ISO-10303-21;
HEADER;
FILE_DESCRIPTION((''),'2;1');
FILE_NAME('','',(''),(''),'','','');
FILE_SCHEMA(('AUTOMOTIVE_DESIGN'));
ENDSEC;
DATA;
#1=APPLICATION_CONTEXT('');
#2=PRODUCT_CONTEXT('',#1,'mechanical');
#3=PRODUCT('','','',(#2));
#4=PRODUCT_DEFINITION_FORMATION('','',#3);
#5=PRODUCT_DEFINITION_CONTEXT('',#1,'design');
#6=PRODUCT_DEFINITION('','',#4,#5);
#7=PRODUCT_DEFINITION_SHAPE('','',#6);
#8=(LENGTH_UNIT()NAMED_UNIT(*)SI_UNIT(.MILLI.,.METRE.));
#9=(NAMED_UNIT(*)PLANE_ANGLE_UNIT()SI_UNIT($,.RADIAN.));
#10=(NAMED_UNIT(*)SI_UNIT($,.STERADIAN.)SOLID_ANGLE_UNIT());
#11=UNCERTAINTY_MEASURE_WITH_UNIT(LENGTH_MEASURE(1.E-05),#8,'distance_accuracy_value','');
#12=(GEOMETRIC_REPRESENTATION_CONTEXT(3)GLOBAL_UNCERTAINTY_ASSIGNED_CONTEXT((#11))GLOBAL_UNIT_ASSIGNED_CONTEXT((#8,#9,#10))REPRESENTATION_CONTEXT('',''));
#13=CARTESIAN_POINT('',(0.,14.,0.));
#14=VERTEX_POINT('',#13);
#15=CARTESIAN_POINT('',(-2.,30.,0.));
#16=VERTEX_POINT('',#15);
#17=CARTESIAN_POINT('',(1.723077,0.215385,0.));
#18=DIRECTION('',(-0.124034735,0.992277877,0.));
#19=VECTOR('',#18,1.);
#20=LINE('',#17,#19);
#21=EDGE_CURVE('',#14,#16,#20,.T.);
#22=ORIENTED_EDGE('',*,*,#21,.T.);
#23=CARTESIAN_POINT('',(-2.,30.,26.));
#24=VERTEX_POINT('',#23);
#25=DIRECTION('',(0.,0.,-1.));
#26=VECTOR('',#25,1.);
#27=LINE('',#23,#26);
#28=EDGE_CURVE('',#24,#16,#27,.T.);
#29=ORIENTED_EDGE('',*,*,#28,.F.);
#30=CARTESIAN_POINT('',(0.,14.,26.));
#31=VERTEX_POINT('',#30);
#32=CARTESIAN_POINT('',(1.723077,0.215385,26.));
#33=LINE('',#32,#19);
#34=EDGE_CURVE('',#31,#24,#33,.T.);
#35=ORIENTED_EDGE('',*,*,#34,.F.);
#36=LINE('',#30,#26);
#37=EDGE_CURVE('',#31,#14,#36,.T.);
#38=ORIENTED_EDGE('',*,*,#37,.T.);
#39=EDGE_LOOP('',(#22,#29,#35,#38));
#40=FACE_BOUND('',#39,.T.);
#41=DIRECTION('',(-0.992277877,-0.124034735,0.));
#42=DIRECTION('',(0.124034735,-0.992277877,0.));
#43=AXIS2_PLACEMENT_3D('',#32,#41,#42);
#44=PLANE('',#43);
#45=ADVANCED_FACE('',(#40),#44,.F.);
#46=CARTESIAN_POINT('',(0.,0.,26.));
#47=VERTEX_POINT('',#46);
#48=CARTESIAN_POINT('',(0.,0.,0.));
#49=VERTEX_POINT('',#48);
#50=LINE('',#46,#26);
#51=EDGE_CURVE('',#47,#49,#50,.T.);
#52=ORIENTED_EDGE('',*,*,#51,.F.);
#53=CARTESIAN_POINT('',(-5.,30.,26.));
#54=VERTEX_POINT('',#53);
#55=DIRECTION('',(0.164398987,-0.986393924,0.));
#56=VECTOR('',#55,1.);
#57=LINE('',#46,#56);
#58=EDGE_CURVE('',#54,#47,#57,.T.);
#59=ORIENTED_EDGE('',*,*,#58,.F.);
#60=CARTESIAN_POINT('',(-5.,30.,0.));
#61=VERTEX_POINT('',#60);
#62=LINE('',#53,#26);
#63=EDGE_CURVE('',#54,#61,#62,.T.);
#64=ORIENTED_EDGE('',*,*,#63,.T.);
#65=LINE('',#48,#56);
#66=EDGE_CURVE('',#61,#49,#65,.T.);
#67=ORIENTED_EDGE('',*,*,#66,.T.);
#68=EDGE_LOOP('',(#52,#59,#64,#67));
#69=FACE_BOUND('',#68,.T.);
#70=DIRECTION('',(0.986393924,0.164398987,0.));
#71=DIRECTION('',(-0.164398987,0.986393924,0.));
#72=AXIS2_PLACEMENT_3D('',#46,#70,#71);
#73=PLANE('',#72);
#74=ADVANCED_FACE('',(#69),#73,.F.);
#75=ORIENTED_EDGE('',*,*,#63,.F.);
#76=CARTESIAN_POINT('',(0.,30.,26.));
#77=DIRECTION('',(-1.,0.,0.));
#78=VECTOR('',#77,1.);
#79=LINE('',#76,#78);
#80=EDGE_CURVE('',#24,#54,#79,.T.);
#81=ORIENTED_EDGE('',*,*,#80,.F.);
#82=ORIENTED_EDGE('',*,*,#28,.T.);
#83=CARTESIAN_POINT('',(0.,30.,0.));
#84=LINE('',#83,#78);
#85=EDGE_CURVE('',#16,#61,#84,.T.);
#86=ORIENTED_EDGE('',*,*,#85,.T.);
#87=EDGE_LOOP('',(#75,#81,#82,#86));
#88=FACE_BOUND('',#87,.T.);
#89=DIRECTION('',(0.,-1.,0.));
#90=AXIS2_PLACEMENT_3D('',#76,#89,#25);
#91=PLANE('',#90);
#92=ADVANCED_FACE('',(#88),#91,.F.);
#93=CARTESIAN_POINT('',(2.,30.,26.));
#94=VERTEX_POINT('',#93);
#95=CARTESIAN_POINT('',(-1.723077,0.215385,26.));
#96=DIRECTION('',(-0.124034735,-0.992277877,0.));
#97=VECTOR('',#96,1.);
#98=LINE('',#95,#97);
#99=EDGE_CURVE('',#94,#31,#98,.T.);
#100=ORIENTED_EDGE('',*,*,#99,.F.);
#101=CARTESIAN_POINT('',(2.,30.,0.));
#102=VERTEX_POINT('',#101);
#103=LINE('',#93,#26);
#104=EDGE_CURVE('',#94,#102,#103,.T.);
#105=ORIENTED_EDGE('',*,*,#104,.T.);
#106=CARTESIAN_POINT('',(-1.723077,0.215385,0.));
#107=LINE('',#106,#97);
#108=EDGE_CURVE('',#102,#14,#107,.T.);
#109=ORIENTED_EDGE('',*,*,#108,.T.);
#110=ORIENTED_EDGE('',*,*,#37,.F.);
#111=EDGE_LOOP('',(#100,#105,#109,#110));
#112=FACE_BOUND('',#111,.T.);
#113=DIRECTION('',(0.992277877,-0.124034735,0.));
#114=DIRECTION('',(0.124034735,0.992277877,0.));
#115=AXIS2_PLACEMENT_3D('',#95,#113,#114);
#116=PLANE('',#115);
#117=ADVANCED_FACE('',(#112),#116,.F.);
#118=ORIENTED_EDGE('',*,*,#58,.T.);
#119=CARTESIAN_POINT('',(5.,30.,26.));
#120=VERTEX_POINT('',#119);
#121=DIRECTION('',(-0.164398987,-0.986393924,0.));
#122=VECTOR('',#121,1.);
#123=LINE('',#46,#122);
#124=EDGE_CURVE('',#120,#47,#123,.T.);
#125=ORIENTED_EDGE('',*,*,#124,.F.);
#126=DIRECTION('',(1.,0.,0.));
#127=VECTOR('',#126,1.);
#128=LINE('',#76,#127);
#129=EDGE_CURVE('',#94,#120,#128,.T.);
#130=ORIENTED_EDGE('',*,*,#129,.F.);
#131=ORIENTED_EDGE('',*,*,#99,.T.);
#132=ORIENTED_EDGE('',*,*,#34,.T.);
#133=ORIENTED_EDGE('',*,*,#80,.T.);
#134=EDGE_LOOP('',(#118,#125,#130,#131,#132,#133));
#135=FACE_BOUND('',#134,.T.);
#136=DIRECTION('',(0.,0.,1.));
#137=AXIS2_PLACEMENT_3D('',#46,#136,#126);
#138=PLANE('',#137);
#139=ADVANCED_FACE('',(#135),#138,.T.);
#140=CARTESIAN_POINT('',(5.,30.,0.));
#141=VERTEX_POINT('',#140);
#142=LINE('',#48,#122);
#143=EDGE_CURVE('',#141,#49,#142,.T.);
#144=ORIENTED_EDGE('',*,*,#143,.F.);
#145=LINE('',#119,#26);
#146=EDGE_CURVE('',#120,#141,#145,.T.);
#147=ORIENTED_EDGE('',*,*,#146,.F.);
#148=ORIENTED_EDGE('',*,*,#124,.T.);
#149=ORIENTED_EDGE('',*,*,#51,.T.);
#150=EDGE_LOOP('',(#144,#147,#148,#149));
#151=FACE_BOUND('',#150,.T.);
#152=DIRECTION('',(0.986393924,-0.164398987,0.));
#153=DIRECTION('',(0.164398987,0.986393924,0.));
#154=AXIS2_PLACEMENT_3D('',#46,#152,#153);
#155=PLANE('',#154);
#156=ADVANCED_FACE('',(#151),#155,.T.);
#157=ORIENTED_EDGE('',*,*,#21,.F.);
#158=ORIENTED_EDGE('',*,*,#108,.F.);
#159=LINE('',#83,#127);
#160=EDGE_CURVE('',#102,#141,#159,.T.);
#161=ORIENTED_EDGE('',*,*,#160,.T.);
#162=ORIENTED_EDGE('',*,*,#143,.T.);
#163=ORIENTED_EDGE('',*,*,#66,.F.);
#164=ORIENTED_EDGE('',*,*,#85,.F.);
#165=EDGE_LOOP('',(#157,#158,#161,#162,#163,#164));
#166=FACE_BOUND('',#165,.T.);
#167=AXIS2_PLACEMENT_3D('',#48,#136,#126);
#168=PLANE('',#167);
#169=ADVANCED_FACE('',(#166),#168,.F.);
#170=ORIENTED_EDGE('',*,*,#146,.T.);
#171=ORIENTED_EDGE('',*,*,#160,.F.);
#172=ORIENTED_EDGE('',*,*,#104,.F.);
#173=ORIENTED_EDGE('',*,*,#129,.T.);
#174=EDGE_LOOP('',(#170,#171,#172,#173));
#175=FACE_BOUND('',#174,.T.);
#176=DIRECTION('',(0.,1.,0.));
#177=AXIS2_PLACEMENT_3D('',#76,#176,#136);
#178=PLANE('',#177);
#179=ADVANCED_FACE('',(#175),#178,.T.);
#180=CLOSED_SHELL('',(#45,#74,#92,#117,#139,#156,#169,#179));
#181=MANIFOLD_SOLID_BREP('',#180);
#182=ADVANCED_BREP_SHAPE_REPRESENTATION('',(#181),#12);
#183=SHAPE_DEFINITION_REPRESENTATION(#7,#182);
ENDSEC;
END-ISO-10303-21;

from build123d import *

# Parameters (mm, degrees)
BOSS_EXTRUDE1_DEPTH = 26


with BuildPart() as part:
    # Sketch1 → Boss-Extrude1 (new body)
    with BuildSketch(Plane.XY):
        Polygon((2, 30), (5, 30), (0, 0), (-5, 30), (-2, 30), (0, 14), align=None)
    extrude(amount=BOSS_EXTRUDE1_DEPTH)


solid = part.part
